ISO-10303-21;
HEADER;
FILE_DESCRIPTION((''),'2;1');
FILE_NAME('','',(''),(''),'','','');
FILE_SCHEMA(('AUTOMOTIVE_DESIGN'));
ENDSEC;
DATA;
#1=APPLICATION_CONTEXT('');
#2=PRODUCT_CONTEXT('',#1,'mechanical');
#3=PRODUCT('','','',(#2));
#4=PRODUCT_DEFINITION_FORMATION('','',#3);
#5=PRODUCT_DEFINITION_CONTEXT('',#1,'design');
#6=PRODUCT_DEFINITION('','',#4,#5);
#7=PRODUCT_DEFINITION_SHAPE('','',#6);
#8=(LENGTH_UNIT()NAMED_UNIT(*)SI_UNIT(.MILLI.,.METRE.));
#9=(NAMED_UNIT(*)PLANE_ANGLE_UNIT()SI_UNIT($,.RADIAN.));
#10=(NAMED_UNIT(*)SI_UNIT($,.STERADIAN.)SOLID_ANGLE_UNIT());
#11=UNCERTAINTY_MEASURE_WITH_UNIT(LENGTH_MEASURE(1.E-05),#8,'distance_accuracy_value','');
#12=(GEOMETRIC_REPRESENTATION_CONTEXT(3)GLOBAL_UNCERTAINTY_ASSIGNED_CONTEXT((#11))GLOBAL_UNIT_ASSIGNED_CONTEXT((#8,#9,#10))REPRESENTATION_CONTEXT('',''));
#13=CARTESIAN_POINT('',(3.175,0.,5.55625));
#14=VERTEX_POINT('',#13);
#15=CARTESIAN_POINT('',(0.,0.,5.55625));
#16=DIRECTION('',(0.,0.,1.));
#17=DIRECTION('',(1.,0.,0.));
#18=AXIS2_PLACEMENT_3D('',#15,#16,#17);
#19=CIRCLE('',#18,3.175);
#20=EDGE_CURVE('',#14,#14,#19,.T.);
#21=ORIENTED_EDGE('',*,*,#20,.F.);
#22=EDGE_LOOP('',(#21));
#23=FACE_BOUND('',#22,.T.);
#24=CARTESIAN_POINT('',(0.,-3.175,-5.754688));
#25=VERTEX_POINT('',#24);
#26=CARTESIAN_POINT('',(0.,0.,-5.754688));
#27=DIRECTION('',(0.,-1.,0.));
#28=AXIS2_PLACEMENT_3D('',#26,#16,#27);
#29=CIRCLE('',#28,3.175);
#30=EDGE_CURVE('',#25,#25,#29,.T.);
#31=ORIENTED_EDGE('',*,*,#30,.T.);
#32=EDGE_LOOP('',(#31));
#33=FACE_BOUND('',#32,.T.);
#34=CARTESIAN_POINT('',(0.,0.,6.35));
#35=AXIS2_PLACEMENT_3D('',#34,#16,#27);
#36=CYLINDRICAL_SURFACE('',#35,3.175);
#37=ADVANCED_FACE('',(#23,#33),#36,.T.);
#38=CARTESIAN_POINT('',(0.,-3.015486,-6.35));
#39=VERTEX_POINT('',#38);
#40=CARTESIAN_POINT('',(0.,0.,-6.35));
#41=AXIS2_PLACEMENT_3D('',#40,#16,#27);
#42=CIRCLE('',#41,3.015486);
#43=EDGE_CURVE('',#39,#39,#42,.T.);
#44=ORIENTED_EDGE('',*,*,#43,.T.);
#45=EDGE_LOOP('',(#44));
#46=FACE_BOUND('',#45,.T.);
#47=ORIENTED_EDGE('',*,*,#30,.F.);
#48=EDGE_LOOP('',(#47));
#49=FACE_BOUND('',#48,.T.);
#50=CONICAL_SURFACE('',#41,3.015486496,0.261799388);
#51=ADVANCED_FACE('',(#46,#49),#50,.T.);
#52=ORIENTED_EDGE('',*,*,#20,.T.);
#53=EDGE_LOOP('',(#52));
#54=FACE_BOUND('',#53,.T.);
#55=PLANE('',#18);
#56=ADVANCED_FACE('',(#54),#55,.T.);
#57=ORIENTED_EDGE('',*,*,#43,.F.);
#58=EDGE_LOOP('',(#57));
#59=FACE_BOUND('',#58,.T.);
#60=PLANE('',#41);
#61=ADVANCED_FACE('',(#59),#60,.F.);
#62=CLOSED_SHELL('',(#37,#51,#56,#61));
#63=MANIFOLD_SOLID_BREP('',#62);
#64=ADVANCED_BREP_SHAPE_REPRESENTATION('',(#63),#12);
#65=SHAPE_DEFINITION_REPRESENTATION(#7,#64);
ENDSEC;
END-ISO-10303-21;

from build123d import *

# Parameters (mm, degrees)
CUT_EXTRUDE1_START = -0.79375
SKETCH4_R          = 3.175
CUT_EXTRUDE1_DEPTH = 0.79375


with BuildPart() as part:
    # Sketch3 → Revolve1 (revolve)
    with BuildSketch(Plane(origin=(0, 0, 0), x_dir=(0, 0, -1), z_dir=(1, 0, 0)), mode=Mode.PRIVATE) as revolve1_sk:
        Polygon((-6.35, 2.38125), (-5.55625, 3.175), (5.7546875, 3.175), (6.35, 3.015486496), (6.35, 0), (-6.35, 0), align=None)
    revolve(revolve1_sk.sketch.rotate(Axis((0, 0, 6.35), (0, 0, -1)), 180), axis=Axis((0, 0, 6.35), (0, 0, -1)))

    # Sketch4 → Cut-Extrude1 (cut)
    with BuildSketch(Plane.XY.offset(6.35).offset(CUT_EXTRUDE1_START)):
        with Locations(Location((0, 0, 0), (0, 0, 270))):
            Circle(SKETCH4_R)
    extrude(amount=CUT_EXTRUDE1_DEPTH, mode=Mode.SUBTRACT)


solid = part.part
